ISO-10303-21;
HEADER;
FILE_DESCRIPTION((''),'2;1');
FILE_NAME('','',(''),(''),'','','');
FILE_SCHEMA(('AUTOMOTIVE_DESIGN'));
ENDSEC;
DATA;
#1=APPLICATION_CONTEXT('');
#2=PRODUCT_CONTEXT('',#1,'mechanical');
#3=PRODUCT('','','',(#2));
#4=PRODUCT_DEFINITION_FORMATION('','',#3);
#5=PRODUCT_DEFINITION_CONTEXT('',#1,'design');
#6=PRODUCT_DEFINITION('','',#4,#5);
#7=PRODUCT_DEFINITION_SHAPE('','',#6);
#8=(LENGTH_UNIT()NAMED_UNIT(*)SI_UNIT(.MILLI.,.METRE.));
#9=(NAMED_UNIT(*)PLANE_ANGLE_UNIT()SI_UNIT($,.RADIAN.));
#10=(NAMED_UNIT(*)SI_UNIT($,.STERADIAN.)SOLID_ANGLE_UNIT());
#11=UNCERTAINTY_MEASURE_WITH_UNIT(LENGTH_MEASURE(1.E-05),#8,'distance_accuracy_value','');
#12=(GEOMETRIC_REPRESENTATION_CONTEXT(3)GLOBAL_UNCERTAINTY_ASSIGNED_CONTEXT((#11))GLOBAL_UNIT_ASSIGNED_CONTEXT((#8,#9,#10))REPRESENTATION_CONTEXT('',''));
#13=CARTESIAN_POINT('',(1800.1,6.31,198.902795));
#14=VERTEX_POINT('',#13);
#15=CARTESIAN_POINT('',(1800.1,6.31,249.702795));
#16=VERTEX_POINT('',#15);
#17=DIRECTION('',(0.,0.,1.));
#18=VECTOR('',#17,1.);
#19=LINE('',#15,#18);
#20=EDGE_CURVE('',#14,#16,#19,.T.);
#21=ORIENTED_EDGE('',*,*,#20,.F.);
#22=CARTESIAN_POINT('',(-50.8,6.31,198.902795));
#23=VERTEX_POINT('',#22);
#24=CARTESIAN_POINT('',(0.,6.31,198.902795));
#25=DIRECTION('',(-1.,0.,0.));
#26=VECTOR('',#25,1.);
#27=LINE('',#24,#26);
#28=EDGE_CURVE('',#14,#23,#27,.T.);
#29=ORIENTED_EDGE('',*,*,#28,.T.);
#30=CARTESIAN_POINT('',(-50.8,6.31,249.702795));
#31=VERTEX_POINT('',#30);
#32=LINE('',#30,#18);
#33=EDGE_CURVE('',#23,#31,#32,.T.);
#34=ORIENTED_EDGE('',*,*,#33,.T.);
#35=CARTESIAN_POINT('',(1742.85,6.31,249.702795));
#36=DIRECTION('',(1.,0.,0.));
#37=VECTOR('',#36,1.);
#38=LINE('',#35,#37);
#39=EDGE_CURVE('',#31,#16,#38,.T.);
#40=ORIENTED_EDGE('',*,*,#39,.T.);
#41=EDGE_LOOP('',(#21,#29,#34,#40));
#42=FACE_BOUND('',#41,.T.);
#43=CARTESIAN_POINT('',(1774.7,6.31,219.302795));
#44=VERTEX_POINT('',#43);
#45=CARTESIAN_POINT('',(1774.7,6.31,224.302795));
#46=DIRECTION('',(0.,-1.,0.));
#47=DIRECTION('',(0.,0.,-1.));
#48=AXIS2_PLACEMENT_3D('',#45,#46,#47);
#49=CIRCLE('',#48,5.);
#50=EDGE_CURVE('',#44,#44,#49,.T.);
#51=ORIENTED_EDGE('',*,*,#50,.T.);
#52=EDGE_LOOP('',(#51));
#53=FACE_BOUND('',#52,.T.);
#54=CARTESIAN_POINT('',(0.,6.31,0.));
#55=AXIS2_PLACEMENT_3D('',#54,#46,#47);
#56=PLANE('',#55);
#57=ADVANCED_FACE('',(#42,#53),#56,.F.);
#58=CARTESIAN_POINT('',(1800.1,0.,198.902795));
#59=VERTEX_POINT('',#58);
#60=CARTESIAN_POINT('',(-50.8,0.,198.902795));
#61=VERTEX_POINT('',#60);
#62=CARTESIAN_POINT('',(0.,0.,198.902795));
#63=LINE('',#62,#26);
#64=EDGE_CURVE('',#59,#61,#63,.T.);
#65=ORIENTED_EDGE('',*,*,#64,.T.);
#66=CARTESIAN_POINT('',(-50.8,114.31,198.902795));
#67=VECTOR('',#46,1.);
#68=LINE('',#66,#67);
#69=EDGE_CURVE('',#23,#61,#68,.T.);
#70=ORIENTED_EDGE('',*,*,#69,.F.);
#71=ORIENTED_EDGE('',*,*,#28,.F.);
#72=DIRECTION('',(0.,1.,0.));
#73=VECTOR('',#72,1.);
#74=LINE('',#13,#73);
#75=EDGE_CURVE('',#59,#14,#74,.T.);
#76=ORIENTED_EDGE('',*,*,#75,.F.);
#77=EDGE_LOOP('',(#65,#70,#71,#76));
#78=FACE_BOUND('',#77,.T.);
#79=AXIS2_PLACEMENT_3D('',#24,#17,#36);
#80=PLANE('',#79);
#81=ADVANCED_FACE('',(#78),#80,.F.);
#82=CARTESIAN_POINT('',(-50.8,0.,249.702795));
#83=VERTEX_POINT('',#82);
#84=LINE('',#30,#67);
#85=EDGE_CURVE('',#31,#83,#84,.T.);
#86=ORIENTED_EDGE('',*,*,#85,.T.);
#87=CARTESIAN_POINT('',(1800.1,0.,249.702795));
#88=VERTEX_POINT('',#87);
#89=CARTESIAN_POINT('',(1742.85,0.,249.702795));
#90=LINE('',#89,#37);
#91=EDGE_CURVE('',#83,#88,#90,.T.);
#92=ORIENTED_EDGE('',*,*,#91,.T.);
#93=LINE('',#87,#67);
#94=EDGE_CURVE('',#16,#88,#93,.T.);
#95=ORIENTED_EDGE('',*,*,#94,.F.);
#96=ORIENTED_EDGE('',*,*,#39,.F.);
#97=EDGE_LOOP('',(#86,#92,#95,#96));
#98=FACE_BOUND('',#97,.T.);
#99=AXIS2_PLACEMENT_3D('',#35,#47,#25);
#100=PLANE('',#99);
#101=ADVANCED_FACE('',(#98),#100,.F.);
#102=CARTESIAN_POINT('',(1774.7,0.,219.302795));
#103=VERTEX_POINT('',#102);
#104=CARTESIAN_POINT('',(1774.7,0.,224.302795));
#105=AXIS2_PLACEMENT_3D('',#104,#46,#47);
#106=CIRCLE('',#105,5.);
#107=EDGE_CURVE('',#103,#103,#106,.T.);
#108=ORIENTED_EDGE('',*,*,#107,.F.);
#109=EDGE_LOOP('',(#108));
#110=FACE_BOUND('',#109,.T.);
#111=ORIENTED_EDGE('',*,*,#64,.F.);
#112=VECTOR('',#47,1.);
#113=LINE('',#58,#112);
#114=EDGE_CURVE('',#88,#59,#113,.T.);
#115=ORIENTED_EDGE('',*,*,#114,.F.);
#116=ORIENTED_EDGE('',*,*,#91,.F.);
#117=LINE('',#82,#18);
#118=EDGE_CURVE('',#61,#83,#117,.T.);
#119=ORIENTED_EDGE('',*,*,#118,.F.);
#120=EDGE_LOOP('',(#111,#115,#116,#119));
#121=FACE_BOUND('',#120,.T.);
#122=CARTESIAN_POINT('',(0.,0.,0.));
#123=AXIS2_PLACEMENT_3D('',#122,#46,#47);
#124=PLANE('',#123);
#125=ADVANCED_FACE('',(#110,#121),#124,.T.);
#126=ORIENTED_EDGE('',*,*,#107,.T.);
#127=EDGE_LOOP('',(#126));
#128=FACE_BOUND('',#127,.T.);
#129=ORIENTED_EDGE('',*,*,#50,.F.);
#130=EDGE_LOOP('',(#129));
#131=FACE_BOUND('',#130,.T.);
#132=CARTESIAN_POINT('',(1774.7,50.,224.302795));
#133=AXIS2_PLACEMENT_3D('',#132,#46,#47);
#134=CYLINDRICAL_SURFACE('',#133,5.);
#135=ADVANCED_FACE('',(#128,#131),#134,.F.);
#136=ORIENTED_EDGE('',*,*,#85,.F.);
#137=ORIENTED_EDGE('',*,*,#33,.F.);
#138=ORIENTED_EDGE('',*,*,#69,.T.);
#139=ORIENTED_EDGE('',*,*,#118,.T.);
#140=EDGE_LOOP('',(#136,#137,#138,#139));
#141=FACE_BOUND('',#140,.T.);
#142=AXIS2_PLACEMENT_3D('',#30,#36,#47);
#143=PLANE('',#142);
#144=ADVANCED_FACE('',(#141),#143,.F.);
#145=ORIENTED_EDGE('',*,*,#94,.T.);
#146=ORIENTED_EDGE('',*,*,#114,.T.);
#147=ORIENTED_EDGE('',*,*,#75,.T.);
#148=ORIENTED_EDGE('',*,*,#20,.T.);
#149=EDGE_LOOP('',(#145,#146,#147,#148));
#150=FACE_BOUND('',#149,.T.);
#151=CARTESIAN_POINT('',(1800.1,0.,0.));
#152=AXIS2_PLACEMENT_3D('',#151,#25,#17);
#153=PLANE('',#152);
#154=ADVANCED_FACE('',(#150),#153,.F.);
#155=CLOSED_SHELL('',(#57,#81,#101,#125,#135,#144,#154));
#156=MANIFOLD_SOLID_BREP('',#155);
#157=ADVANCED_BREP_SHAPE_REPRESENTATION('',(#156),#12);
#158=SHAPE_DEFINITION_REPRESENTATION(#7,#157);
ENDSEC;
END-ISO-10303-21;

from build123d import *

# Parameters (mm, degrees)
SALIENTE_EXTRUIR1_DEPTH    = 6.31
SALIENTE_EXTRUIR2_DEPTH    = 50.8
SALIENTE_EXTRUIR3_DEPTH    = 50.8
CROQUIS4_W                 = 50.8
CROQUIS4_H                 = 6.31
SALIENTE_EXTRUIR4_DEPTH    = 50.8
CROQUIS7_R                 = 5
CORTAR_EXTRUIR3_DEPTH      = 50
CROQUIS8_R                 = 5
CORTAR_EXTRUIR4_DEPTH      = 24
CROQUIS9_W                 = 50.8
CROQUIS9_H                 = 6.31
SALIENTE_EXTRUIR5_DEPTH    = 6.45
CORTAR_EXTRUIR6_DEPTH      = 108
CORTAR_EXTRUIR7_DEPTH      = 108
CORTAR_EXTRUIR7_DEPTH_BACK = 108
CROQUIS12_W                = 50.8
CROQUIS12_H                = 198.902795


with BuildPart() as part:
    # Croquis1 → Saliente-Extruir1 (new body)
    with BuildSketch(Plane(origin=(0, 0, 0), x_dir=(1, 0, 0), z_dir=(0, 1, 0))):
        Polygon((1742.85, -198.902795), (1742.85, -249.702795), (-50.8, -249.702795), (-50.8, 0), (0, 0), (0, -198.902795), align=None)
    extrude(amount=SALIENTE_EXTRUIR1_DEPTH)

    # Croquis2 → Saliente-Extruir2 (add)
    with BuildSketch(Plane.ZY.offset(50.8)):
        Polygon((0, 6.31), (0, 132.55), (-32.572440357, 197.880208397), (-26.925404535, 200.695716598), (6.31, 134.035807771), (6.31, 6.31), align=None)
    extrude(amount=-SALIENTE_EXTRUIR2_DEPTH)

    # Croquis4 → Saliente-Extruir4 (add)
    with BuildSketch(Plane(origin=(1742.85, 0, 0), x_dir=(0, 0, -1), z_dir=(1, 0, 0))):
        with Locations((-224.302795, 3.155)):
            Rectangle(CROQUIS4_W, CROQUIS4_H)
    extrude(amount=SALIENTE_EXTRUIR4_DEPTH)

    # Croquis7 → Cortar-Extruir3 (cut)
    with BuildSketch(Plane(origin=(0, 0, 0), x_dir=(-1, 0, 0), z_dir=(0, -1, 0))):
        with Locations((-1774.7, -224.302795)):
            Circle(CROQUIS7_R)
    extrude(amount=-CORTAR_EXTRUIR3_DEPTH, mode=Mode.SUBTRACT)


with BuildPart() as body_2:
    # Croquis3 → Saliente-Extruir3 (new body)
    with BuildSketch(Plane.ZY.offset(50.8)):
        Polygon((6.41, 6.41), (6.41, 134.059354646), (-26.835911099, 200.740336379), (-21.188875277, 203.55584458), (12.72, 135.545162417), (12.72, 6.41), align=None)
    extrude(amount=-SALIENTE_EXTRUIR3_DEPTH)


with BuildPart() as cortar_extruir4_tool:
    # Croquis8 → Cortar-Extruir4 (new body)
    with BuildSketch(Plane.XY.offset(12.72)):
        with Locations((-38.1, 98.1)):
            Circle(CROQUIS8_R)
        with Locations((-12.7, 36.91)):
            Circle(CROQUIS8_R)
    extrude(amount=-CORTAR_EXTRUIR4_DEPTH)


with BuildPart() as part_1:
    add(part.part)

    # Cortar-Extruir4: cut by cortar_extruir4_tool
    add(cortar_extruir4_tool.part, mode=Mode.SUBTRACT)

    # Croquis9 → Saliente-Extruir5 (add)
    with BuildSketch(Plane(origin=(1793.65, 0, 0), x_dir=(0, 0, -1), z_dir=(1, 0, 0))):
        with Locations((-224.302795, 3.155)):
            Rectangle(CROQUIS9_W, CROQUIS9_H)
    extrude(amount=SALIENTE_EXTRUIR5_DEPTH)


with BuildPart() as body_2_1:
    add(body_2.part)

    # Cortar-Extruir4: cut by cortar_extruir4_tool
    add(cortar_extruir4_tool.part, mode=Mode.SUBTRACT)


with BuildPart() as cortar_extruir6_tool:
    # Croquis11 → Cortar-Extruir6 (new body)
    with BuildSketch(Plane.XY.offset(12.72)):
        Polygon((-50.8, 6.41), (0, 6.31), (0, 211.944922599), (-50.8, 211.944922599), align=None)
    extrude(amount=-CORTAR_EXTRUIR6_DEPTH)


with BuildPart() as part_2:
    add(part_1.part)

    # Cortar-Extruir6: cut by cortar_extruir6_tool
    add(cortar_extruir6_tool.part, mode=Mode.SUBTRACT)

    # Croquis12 → Cortar-Extruir7 (cut, two sides: drawn at the far end of the back side and taken through both)
    with BuildSketch(Plane(origin=(0, 6.31, 0), x_dir=(1, 0, 0), z_dir=(0, 1, 0)).offset(-CORTAR_EXTRUIR7_DEPTH_BACK)):
        with Locations((-25.4, -99.4513975)):
            Rectangle(CROQUIS12_W, CROQUIS12_H)
    extrude(amount=CORTAR_EXTRUIR7_DEPTH + CORTAR_EXTRUIR7_DEPTH_BACK, mode=Mode.SUBTRACT)


with BuildPart() as body_2_2:
    add(body_2_1.part)

    # Cortar-Extruir6: cut by cortar_extruir6_tool
    add(cortar_extruir6_tool.part, mode=Mode.SUBTRACT)


solid = part_2.part
